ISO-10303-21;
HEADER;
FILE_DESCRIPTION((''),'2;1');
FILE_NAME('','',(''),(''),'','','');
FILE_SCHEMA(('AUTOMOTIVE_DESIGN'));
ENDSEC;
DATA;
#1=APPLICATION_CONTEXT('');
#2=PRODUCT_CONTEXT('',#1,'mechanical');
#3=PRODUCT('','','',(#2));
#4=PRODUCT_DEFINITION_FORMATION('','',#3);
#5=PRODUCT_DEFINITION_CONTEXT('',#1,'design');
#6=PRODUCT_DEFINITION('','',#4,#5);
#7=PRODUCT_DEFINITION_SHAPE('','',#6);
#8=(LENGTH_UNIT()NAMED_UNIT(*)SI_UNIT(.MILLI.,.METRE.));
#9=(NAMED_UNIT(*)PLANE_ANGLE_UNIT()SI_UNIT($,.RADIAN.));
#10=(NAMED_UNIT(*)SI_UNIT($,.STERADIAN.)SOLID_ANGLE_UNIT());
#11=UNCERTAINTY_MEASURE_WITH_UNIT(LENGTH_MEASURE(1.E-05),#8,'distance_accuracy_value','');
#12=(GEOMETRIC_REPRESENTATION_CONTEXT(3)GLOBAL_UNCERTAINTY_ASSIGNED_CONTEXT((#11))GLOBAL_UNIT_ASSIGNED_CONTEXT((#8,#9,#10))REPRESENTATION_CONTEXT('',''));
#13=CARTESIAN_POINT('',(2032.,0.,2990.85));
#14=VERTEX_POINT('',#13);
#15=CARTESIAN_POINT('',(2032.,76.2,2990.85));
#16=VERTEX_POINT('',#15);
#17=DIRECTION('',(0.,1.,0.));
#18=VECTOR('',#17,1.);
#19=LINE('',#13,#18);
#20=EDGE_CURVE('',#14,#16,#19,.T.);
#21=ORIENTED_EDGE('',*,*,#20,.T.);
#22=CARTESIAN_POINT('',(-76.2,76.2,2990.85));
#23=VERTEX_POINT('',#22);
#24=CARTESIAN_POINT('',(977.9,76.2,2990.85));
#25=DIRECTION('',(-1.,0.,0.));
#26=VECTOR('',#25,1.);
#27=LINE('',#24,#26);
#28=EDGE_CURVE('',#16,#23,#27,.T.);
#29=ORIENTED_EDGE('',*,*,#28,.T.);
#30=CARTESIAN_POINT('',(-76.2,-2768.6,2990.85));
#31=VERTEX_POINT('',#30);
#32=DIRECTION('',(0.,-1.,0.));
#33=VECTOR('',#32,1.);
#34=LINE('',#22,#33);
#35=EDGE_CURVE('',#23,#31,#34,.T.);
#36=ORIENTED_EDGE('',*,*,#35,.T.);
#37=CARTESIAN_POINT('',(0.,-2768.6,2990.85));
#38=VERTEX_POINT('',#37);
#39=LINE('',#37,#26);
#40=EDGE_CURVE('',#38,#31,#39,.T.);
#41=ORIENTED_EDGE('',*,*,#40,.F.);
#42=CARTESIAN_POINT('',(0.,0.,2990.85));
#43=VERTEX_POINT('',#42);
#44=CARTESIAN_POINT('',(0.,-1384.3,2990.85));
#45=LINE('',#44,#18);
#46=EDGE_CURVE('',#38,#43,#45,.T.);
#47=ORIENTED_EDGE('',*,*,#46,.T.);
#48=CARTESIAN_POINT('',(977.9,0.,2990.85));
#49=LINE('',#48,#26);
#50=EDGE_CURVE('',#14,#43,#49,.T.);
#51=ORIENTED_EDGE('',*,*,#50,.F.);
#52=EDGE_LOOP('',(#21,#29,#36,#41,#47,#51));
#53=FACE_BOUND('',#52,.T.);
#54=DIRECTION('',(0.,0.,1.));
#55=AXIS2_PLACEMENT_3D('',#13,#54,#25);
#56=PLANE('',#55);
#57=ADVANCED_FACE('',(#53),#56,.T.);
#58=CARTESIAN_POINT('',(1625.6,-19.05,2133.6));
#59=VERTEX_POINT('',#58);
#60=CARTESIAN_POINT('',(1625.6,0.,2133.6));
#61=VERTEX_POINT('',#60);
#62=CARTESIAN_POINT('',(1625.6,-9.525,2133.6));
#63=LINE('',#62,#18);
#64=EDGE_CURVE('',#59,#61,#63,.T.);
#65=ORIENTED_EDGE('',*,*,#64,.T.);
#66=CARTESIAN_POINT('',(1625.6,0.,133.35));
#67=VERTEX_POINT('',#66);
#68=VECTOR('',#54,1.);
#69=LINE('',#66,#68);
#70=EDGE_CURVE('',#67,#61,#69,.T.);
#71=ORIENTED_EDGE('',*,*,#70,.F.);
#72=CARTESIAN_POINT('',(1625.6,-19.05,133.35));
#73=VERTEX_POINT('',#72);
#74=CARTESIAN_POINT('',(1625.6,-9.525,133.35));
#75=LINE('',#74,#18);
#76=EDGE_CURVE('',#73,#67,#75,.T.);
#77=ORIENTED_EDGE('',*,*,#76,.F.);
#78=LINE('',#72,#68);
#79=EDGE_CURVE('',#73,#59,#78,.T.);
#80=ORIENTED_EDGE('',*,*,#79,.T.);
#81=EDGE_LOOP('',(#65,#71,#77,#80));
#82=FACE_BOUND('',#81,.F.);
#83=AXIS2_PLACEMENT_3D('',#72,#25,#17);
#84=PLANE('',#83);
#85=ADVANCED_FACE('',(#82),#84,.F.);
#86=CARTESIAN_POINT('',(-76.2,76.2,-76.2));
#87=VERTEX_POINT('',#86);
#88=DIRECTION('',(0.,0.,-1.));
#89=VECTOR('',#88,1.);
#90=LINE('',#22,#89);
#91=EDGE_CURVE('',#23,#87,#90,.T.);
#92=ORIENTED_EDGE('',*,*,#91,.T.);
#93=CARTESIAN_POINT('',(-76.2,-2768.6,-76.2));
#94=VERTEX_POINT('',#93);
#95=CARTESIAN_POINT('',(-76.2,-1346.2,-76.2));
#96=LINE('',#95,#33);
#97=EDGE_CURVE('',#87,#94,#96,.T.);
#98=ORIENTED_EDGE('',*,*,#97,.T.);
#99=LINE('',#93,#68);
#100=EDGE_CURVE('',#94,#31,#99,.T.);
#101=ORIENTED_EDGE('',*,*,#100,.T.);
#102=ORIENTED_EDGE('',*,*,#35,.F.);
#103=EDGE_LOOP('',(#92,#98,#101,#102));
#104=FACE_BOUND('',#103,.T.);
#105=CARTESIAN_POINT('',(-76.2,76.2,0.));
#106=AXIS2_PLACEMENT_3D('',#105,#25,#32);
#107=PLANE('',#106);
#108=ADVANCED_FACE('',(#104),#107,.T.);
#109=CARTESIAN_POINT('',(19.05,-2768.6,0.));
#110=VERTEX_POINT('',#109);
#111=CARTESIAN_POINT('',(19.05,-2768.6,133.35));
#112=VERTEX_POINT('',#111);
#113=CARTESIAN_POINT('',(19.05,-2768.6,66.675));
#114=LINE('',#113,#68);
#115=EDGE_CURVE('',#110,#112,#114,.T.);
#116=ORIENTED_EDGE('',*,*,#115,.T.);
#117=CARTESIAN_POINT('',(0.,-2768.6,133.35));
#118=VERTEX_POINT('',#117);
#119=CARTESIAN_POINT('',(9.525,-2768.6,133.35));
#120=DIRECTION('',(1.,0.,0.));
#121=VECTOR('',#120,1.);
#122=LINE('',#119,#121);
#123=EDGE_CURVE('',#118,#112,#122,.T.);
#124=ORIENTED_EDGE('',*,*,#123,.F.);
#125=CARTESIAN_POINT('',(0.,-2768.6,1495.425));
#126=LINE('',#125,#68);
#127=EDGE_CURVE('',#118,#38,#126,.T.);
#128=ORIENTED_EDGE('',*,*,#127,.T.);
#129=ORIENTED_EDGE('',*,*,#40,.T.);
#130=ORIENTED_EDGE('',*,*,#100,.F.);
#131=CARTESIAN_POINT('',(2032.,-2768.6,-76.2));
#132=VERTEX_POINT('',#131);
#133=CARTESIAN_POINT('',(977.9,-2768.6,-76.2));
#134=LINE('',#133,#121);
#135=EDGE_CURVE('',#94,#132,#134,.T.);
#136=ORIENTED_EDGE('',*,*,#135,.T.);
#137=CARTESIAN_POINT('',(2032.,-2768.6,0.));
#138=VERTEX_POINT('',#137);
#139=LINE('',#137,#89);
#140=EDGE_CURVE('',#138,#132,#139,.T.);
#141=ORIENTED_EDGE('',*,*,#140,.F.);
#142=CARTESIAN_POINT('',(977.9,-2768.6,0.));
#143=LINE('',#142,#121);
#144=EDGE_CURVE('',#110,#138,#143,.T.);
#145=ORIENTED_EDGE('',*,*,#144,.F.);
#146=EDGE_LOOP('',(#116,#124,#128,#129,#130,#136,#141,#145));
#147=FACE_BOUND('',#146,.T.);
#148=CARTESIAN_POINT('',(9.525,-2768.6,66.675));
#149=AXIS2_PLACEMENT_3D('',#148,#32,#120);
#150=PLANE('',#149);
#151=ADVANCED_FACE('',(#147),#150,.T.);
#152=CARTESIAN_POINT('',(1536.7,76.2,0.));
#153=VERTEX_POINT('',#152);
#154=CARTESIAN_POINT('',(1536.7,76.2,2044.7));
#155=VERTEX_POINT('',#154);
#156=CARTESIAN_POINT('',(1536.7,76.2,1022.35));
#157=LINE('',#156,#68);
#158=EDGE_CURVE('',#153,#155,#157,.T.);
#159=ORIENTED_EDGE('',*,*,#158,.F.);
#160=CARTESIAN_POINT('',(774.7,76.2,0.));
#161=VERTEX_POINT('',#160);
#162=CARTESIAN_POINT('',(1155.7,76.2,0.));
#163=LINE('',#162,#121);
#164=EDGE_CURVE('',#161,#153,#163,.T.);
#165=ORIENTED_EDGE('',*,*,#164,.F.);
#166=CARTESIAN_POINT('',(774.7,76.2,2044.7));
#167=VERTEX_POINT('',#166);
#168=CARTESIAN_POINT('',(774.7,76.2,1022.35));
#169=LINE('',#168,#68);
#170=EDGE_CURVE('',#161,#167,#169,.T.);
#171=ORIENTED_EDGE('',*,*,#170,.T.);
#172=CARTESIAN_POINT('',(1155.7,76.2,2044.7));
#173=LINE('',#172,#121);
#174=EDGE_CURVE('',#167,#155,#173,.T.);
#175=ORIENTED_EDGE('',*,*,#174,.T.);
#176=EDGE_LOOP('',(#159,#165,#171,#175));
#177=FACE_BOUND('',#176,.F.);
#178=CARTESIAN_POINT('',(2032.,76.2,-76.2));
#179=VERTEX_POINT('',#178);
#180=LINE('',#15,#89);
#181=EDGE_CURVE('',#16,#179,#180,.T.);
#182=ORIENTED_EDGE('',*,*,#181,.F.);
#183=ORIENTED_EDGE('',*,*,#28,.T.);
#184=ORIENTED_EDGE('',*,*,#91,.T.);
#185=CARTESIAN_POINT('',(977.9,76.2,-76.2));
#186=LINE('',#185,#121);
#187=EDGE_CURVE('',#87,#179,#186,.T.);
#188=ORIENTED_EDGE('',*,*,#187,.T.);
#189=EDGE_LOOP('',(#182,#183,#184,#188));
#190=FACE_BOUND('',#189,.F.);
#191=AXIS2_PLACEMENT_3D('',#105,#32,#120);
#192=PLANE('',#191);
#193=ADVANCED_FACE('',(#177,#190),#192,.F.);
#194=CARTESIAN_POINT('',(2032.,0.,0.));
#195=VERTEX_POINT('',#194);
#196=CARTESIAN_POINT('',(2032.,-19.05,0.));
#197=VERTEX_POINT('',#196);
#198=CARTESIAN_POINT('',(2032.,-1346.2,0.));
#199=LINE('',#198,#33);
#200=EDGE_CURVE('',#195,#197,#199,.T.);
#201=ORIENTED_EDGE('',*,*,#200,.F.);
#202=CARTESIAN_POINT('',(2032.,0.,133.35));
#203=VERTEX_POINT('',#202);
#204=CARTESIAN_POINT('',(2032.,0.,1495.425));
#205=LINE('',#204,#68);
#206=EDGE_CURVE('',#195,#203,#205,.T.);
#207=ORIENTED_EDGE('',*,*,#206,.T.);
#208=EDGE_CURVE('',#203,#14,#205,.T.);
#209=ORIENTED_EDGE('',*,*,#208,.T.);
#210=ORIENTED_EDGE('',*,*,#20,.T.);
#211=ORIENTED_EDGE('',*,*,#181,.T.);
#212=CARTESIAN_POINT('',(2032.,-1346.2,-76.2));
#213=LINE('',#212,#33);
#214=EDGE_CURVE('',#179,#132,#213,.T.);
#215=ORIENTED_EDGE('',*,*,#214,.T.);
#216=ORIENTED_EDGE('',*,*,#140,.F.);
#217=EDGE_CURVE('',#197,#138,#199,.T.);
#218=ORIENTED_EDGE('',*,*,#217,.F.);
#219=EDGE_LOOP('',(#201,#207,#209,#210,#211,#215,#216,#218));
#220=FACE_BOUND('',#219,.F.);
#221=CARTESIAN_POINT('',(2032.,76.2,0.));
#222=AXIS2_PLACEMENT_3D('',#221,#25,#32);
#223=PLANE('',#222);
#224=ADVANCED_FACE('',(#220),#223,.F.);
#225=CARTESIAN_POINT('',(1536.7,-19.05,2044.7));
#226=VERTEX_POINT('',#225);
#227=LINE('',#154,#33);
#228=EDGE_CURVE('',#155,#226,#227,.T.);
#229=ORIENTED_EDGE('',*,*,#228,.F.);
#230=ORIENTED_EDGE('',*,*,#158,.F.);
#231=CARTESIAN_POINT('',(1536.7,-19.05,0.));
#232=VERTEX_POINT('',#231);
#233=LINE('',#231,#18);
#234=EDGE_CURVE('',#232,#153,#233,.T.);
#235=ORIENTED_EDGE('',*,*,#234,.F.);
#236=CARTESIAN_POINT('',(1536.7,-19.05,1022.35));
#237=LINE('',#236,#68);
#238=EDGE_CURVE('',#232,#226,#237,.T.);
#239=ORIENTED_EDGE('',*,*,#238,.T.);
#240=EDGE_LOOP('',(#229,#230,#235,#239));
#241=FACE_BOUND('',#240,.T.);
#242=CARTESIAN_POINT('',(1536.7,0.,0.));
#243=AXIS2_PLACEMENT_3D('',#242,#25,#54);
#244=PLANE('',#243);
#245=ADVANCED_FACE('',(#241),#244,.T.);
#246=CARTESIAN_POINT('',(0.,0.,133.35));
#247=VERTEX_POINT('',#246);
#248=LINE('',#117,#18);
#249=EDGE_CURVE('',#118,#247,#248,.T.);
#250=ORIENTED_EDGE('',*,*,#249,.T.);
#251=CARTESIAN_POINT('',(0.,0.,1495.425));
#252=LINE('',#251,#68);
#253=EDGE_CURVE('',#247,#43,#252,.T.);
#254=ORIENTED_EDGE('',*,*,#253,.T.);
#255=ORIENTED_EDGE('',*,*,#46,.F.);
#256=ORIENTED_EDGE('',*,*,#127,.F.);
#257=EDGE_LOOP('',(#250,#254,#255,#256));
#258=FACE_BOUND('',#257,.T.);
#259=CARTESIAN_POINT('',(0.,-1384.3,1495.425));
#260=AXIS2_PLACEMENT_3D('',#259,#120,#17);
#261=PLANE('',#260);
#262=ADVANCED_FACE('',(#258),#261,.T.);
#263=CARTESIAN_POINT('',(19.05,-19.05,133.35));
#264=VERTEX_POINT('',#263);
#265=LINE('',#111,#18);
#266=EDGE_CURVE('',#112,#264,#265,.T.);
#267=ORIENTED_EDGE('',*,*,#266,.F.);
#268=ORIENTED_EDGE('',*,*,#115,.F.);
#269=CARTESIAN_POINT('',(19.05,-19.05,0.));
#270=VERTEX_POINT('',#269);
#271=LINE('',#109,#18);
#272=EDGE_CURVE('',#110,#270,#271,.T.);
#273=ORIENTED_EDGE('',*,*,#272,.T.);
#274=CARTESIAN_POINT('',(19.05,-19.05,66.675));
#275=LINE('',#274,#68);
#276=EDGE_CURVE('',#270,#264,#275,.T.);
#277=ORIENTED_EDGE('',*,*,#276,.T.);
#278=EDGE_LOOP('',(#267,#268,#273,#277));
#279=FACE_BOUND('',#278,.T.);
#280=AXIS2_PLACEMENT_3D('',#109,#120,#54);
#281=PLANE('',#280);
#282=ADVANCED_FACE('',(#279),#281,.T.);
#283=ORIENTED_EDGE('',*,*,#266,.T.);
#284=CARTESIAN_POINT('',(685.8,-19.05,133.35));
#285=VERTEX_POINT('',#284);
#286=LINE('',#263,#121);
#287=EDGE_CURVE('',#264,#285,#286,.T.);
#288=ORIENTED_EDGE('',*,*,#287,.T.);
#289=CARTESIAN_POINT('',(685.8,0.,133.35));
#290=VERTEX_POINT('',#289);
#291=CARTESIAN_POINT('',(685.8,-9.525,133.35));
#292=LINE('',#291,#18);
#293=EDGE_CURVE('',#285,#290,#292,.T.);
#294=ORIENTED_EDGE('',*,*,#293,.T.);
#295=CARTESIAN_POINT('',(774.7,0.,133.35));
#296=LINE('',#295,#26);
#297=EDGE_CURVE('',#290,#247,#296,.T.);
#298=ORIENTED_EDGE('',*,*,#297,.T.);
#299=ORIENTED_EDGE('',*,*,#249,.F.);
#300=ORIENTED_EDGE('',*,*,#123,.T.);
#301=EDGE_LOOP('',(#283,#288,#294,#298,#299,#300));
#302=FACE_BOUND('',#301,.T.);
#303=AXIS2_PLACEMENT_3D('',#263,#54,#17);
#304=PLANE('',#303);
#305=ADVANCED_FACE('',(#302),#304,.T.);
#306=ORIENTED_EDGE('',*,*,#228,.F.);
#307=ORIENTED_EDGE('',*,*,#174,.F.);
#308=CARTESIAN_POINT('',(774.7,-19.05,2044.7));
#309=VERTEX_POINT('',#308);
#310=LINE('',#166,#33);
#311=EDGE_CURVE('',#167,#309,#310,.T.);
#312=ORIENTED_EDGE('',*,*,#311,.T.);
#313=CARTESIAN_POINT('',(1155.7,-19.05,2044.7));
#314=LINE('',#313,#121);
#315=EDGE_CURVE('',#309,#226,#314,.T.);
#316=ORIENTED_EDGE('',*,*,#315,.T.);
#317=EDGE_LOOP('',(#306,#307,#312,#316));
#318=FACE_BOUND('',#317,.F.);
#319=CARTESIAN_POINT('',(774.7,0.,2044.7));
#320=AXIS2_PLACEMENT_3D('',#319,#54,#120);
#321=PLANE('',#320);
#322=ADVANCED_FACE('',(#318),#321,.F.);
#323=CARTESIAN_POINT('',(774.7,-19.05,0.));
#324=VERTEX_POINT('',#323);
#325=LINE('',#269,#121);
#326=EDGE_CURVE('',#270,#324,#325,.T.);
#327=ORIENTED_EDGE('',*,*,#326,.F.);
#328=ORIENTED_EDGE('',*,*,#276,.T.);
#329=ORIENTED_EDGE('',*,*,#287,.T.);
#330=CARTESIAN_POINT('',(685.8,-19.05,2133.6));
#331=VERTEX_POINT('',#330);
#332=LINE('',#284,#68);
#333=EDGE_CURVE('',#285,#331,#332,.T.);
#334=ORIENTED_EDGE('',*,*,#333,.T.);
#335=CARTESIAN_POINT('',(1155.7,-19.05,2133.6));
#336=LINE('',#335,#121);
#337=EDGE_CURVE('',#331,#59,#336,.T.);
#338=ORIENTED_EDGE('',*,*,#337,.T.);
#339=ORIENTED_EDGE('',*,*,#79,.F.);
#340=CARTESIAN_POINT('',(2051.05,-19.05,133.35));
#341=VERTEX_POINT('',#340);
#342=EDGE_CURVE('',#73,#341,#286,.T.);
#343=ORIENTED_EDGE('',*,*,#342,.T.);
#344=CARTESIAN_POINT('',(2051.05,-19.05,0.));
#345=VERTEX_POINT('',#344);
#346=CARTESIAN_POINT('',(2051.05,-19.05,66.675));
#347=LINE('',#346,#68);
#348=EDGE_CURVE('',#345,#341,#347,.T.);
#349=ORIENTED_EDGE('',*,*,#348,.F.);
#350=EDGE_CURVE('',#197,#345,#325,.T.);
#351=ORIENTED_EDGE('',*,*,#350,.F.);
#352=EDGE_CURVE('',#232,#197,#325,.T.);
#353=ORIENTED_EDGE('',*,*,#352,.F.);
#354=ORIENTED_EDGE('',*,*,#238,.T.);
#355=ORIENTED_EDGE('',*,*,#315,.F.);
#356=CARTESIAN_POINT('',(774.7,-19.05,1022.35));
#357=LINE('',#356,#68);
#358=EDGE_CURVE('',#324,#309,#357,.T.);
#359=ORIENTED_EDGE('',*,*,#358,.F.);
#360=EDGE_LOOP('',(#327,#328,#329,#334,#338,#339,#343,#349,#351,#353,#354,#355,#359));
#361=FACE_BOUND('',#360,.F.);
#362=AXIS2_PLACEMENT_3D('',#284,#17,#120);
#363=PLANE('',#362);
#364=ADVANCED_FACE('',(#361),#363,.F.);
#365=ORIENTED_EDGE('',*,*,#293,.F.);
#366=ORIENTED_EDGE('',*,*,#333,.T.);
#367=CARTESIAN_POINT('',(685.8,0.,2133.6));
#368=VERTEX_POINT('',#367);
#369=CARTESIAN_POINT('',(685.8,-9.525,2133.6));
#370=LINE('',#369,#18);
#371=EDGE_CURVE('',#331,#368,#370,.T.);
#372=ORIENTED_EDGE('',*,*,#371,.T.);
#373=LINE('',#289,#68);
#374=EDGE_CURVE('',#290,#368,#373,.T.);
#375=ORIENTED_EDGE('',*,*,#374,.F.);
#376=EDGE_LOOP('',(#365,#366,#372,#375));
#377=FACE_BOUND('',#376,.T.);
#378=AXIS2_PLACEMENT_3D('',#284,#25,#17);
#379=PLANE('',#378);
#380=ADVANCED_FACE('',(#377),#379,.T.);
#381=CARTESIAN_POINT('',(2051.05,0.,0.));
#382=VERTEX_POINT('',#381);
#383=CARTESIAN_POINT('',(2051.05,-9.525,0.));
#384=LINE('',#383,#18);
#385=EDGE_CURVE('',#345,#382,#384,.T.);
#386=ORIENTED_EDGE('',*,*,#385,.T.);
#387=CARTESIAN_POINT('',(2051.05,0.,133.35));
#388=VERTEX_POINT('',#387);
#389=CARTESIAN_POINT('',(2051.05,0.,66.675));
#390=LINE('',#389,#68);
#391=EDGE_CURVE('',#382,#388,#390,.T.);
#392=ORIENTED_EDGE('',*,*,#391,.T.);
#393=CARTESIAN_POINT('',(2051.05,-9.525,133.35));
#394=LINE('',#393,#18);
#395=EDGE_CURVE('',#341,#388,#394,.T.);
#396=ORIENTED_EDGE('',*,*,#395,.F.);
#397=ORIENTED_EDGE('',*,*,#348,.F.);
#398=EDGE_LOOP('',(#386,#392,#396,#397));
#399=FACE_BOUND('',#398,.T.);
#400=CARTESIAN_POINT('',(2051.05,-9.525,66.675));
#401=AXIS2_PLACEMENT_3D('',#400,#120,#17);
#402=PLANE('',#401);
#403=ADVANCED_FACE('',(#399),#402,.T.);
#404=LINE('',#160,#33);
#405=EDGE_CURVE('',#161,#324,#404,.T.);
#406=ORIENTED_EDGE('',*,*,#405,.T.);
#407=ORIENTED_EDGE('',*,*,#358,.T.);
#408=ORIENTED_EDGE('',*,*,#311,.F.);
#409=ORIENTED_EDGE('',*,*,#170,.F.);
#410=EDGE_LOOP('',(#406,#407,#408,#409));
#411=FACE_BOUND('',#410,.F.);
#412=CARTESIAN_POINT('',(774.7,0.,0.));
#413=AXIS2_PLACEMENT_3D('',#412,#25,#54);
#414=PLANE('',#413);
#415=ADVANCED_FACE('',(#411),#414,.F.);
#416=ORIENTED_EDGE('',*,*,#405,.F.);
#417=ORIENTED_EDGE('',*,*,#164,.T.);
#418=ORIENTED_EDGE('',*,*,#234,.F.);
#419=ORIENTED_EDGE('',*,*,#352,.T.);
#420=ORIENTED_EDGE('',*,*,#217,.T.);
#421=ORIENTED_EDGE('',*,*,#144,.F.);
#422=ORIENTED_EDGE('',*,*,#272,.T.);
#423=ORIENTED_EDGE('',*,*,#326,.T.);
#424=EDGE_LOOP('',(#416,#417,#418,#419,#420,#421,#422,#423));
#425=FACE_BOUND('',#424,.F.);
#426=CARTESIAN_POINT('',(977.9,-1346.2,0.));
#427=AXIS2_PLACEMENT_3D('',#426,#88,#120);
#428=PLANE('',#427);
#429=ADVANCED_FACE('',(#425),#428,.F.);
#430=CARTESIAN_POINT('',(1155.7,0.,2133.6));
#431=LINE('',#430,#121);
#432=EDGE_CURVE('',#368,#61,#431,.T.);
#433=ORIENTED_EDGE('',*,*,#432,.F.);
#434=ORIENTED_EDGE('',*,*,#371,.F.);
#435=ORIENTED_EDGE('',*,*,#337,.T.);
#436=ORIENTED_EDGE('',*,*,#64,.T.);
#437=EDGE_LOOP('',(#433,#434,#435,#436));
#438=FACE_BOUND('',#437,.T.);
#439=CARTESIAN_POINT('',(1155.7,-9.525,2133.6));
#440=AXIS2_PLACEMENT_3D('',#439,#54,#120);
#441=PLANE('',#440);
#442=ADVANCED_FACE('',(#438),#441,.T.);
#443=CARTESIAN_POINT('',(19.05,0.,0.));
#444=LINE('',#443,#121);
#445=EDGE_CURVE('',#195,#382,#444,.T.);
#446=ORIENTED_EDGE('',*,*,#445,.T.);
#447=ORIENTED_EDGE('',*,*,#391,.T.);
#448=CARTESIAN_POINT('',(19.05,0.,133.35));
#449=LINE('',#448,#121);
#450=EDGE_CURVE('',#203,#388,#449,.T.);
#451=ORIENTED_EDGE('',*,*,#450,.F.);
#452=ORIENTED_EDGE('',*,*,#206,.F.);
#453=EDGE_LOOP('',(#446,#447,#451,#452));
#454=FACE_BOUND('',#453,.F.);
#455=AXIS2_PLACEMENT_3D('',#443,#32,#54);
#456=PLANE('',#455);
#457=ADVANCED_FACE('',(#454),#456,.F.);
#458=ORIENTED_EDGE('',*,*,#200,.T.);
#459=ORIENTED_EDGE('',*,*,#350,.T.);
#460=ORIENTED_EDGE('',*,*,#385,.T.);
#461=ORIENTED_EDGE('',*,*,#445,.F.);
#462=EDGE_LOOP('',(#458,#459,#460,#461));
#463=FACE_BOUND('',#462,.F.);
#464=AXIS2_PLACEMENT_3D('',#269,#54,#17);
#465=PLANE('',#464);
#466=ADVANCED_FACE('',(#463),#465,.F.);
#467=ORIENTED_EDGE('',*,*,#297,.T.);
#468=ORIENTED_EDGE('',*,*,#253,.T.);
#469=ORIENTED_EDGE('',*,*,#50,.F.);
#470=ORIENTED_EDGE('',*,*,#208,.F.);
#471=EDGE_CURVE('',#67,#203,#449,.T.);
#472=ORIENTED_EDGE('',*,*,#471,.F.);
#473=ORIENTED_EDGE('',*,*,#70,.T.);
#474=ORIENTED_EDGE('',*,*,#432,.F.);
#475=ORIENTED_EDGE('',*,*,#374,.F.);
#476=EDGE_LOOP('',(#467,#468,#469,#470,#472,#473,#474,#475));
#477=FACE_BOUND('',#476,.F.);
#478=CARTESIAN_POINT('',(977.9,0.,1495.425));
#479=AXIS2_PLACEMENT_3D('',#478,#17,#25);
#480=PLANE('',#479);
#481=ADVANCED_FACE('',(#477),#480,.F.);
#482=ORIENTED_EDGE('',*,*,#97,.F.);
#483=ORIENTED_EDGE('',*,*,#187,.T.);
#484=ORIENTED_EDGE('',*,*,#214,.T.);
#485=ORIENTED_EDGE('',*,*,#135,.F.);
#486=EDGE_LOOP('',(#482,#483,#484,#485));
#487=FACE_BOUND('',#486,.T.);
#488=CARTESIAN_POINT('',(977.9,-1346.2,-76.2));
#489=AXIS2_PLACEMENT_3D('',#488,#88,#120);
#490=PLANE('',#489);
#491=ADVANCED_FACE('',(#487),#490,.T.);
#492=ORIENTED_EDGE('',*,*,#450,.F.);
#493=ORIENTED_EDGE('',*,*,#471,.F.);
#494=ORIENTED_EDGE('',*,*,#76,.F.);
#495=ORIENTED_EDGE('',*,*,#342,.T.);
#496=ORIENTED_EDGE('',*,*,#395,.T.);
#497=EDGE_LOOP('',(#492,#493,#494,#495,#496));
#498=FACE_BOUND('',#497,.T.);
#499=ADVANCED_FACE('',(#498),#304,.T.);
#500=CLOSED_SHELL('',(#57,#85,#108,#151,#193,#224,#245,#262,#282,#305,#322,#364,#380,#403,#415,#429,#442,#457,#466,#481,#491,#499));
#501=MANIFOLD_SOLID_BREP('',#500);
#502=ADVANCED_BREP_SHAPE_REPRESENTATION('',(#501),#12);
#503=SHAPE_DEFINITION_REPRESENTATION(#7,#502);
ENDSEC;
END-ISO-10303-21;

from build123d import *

# Parameters (mm, degrees)
F0_W      = 2768.6
F0_H      = 2990.85
F1_DEPTH  = 76.2
F2_W      = 2108.2
F2_H      = 2990.85
F3_DEPTH  = 76.2
F4_W      = 2108.2
F4_H      = 2844.8
F5_DEPTH  = 76.2
F6_W      = 762
F6_H      = 2044.7
F7_DEPTH  = 76.2
F8_W      = 19.05
F8_H      = 133.35
F9_DEPTH  = 2768.6
F10_W     = 19.05
F10_H     = 133.35
F11_DEPTH = 2032
F12_W     = 939.8
F12_H     = 19.05
F13_DEPTH = 2000.25
F14_DEPTH = 19.05


with BuildPart() as f1:
    # F0 (on Right) → F1 (new body)
    with BuildSketch(Plane.YZ):
        with Locations((-1384.3, 1495.425)):
            Rectangle(F0_W, F0_H)
    extrude(amount=-F1_DEPTH)

    # F2 (on face) → F3 (join)
    with BuildSketch(Plane(origin=(0, 0, 0), x_dir=(-1, 0, 0), z_dir=(0, 1, 0))):
        with Locations((-977.9, 1495.425)):
            Rectangle(F2_W, F2_H)
    extrude(amount=F3_DEPTH)

    # F4 (on face) → F5 (join)
    with BuildSketch(Plane(origin=(0, 0, 0), x_dir=(1, 0, 0), z_dir=(0, 0, -1))):
        with Locations((977.9, 1346.2)):
            Rectangle(F4_W, F4_H)
    extrude(amount=F5_DEPTH)

    # F6 (on face) → F7 (cut)
    with BuildSketch(Plane.XZ):
        with Locations((1155.7, 1022.35)):
            Rectangle(F6_W, F6_H)
    extrude(amount=-F7_DEPTH, mode=Mode.SUBTRACT)

    # F8 (on face) → F9 (join)
    with BuildSketch(Plane.XZ.offset(2768.6)):
        with Locations((9.525, 66.675)):
            Rectangle(F8_W, F8_H)
    extrude(amount=-F9_DEPTH)

    # F10 (on face) → F11 (join)
    with BuildSketch(Plane.YZ.offset(19.05)):
        with Locations((-9.525, 66.675)):
            Rectangle(F10_W, F10_H)
    extrude(amount=F11_DEPTH)

    # F12 (on face) → F13 (join)
    with BuildSketch(Plane.XY.offset(133.35)):
        with Locations((1155.7, -9.525)):
            Rectangle(F12_W, F12_H)
    extrude(amount=F13_DEPTH)

    # F6 (on face) → F14 (cut)
    with BuildSketch(Plane.XZ):
        with Locations((1155.7, 1022.35)):
            Rectangle(F6_W, F6_H)
    extrude(amount=F14_DEPTH, mode=Mode.SUBTRACT)


solid = f1.part
